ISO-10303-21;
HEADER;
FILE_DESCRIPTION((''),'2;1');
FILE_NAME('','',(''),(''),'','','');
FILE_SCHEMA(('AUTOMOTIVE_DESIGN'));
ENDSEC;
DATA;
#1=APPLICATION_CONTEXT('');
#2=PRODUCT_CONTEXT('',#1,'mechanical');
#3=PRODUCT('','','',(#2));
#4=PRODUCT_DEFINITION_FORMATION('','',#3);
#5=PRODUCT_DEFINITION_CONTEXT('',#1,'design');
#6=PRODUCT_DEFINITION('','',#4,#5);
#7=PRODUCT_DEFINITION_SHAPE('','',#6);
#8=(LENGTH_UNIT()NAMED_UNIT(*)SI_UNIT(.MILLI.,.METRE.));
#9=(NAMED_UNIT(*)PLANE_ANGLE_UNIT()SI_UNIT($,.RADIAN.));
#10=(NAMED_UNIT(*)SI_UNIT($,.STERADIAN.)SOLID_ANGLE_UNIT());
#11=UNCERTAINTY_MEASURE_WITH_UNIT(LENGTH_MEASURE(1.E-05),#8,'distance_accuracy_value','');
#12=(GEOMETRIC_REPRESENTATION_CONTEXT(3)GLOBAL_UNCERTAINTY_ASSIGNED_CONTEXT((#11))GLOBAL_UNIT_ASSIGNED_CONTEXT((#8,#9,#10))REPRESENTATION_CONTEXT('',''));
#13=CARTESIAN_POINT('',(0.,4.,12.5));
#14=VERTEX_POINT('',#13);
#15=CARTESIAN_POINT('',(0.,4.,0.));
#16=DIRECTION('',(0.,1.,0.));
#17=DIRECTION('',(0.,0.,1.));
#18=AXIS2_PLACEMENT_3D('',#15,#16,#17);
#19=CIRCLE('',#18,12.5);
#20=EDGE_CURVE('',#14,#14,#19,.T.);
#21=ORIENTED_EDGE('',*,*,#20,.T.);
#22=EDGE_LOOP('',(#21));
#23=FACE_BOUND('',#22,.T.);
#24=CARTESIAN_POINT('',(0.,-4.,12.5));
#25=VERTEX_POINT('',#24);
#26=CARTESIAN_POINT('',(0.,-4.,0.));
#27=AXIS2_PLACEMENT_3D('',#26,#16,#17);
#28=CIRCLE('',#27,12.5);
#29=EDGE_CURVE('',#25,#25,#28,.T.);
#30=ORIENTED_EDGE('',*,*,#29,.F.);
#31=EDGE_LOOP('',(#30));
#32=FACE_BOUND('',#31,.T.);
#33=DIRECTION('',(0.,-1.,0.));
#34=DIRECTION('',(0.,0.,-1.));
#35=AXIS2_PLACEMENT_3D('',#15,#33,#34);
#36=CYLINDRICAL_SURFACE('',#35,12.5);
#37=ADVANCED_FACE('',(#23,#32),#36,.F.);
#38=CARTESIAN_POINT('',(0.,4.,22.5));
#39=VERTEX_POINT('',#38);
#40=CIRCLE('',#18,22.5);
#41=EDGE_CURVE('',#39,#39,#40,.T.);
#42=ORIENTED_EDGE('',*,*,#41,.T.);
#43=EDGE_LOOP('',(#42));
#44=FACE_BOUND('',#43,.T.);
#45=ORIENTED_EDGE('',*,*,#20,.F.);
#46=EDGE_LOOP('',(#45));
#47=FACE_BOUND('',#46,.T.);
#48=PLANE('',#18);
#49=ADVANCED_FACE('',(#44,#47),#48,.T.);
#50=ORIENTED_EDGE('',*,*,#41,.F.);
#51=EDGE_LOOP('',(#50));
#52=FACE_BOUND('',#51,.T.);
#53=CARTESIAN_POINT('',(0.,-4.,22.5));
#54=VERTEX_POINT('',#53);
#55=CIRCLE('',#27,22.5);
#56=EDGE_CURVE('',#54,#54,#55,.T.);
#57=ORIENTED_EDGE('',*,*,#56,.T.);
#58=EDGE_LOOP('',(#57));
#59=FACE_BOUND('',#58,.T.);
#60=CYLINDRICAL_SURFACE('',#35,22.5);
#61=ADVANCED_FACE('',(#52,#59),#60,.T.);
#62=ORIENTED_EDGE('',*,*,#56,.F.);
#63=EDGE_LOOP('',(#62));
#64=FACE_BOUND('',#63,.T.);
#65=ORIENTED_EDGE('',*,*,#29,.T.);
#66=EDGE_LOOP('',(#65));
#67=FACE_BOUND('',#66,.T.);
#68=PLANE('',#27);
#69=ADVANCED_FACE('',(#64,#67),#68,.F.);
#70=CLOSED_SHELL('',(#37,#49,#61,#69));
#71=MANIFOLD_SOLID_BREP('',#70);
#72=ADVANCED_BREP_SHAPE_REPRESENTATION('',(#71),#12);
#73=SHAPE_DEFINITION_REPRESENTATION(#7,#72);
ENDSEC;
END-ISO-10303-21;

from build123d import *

# Parameters (mm, degrees)
SKETCH_1_R      = 22.5
SKETCH_1_R_2    = 12.5
EXTRUDE_1_DEPTH = 4


with BuildPart() as part:
    # 草图1 → 凸台-拉伸1 (new body, symmetric)
    with BuildSketch(Plane(origin=(0, 0, 0), x_dir=(1, 0, 0), z_dir=(0, 1, 0))):
        Circle(SKETCH_1_R)
        Circle(SKETCH_1_R_2, mode=Mode.SUBTRACT)
    extrude(amount=EXTRUDE_1_DEPTH, both=True)


solid = part.part
